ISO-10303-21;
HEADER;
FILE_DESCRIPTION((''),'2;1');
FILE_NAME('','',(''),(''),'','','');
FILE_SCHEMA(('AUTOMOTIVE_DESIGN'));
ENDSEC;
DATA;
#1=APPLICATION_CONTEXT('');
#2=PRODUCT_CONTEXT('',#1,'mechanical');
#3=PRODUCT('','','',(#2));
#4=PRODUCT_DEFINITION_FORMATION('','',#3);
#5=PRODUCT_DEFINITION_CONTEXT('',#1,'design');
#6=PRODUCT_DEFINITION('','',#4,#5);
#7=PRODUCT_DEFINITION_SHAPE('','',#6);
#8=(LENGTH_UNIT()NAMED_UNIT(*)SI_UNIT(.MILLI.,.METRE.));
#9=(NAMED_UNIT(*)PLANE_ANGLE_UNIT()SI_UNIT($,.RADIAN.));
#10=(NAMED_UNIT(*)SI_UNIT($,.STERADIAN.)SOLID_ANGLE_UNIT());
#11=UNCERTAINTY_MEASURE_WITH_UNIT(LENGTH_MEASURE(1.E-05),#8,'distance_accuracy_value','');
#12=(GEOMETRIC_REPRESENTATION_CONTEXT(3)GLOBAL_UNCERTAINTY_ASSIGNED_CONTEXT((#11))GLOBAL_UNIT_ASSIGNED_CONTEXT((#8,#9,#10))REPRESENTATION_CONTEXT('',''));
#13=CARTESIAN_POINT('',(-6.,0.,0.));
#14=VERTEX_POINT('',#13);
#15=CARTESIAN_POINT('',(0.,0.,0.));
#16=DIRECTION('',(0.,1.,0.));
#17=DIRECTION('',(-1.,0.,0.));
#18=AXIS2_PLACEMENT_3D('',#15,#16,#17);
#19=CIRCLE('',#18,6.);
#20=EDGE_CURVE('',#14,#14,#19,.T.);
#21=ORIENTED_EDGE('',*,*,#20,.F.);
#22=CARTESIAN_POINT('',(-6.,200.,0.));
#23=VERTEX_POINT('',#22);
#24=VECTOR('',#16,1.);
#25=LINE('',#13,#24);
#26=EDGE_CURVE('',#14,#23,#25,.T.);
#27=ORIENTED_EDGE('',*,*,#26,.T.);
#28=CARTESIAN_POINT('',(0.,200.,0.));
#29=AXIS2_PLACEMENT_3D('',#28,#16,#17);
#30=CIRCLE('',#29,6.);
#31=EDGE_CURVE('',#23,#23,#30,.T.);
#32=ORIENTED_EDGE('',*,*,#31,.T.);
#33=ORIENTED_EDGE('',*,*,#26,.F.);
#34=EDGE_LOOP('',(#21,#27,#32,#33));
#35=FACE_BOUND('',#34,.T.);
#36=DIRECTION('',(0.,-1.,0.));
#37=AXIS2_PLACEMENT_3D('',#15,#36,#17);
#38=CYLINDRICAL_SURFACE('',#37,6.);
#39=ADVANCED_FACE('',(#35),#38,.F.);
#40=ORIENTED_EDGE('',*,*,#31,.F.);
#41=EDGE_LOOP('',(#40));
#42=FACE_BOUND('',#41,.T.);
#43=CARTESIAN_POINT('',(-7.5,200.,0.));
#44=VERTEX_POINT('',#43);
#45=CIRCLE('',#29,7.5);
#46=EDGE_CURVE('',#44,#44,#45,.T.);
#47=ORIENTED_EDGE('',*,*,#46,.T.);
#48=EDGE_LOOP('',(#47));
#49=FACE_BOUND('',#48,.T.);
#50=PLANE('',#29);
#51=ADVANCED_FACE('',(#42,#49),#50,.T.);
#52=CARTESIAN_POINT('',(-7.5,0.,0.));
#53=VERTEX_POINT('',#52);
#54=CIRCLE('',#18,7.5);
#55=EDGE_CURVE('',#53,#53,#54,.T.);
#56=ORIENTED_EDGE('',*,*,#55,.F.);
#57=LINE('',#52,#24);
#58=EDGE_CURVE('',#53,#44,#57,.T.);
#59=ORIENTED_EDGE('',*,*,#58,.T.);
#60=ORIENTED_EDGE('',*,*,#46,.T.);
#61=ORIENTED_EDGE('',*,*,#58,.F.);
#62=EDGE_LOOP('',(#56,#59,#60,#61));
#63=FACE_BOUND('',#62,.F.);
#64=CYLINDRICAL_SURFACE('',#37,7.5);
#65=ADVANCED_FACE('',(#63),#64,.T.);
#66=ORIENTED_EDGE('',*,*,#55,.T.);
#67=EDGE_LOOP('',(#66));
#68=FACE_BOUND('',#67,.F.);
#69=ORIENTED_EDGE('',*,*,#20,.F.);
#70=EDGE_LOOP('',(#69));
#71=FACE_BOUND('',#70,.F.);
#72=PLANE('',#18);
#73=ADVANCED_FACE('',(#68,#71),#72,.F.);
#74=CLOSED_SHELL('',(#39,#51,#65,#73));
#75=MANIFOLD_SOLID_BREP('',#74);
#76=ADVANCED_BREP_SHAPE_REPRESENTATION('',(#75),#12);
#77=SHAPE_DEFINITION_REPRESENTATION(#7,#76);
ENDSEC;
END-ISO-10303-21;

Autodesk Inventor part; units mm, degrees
ref_plane "YZ Plane" through (0, 0, 0) normal (1, 0, 0) x (0, 1, 0)
ref_plane "XZ Plane" through (0, 0, 0) normal (0, 1, 0) x (-1, 0, 0)
ref_plane "XY Plane" through (0, 0, 0) normal (0, 0, 1) x (1, 0, 0)
sketch "Sketch1" plane through (0, 0, 0) normal (0, 1, 0) x (-1, 0, 0)
  circle A0 centre (0, 0) radius 7.5
  circle A1 centre (0, 0) radius 6
  dimension "d0" = 15
  dimension "d1" = 12
extrude "Extrusion1" add sketch "Sketch1" along normal blind 200
properties part number "carbon_fiber_200"
